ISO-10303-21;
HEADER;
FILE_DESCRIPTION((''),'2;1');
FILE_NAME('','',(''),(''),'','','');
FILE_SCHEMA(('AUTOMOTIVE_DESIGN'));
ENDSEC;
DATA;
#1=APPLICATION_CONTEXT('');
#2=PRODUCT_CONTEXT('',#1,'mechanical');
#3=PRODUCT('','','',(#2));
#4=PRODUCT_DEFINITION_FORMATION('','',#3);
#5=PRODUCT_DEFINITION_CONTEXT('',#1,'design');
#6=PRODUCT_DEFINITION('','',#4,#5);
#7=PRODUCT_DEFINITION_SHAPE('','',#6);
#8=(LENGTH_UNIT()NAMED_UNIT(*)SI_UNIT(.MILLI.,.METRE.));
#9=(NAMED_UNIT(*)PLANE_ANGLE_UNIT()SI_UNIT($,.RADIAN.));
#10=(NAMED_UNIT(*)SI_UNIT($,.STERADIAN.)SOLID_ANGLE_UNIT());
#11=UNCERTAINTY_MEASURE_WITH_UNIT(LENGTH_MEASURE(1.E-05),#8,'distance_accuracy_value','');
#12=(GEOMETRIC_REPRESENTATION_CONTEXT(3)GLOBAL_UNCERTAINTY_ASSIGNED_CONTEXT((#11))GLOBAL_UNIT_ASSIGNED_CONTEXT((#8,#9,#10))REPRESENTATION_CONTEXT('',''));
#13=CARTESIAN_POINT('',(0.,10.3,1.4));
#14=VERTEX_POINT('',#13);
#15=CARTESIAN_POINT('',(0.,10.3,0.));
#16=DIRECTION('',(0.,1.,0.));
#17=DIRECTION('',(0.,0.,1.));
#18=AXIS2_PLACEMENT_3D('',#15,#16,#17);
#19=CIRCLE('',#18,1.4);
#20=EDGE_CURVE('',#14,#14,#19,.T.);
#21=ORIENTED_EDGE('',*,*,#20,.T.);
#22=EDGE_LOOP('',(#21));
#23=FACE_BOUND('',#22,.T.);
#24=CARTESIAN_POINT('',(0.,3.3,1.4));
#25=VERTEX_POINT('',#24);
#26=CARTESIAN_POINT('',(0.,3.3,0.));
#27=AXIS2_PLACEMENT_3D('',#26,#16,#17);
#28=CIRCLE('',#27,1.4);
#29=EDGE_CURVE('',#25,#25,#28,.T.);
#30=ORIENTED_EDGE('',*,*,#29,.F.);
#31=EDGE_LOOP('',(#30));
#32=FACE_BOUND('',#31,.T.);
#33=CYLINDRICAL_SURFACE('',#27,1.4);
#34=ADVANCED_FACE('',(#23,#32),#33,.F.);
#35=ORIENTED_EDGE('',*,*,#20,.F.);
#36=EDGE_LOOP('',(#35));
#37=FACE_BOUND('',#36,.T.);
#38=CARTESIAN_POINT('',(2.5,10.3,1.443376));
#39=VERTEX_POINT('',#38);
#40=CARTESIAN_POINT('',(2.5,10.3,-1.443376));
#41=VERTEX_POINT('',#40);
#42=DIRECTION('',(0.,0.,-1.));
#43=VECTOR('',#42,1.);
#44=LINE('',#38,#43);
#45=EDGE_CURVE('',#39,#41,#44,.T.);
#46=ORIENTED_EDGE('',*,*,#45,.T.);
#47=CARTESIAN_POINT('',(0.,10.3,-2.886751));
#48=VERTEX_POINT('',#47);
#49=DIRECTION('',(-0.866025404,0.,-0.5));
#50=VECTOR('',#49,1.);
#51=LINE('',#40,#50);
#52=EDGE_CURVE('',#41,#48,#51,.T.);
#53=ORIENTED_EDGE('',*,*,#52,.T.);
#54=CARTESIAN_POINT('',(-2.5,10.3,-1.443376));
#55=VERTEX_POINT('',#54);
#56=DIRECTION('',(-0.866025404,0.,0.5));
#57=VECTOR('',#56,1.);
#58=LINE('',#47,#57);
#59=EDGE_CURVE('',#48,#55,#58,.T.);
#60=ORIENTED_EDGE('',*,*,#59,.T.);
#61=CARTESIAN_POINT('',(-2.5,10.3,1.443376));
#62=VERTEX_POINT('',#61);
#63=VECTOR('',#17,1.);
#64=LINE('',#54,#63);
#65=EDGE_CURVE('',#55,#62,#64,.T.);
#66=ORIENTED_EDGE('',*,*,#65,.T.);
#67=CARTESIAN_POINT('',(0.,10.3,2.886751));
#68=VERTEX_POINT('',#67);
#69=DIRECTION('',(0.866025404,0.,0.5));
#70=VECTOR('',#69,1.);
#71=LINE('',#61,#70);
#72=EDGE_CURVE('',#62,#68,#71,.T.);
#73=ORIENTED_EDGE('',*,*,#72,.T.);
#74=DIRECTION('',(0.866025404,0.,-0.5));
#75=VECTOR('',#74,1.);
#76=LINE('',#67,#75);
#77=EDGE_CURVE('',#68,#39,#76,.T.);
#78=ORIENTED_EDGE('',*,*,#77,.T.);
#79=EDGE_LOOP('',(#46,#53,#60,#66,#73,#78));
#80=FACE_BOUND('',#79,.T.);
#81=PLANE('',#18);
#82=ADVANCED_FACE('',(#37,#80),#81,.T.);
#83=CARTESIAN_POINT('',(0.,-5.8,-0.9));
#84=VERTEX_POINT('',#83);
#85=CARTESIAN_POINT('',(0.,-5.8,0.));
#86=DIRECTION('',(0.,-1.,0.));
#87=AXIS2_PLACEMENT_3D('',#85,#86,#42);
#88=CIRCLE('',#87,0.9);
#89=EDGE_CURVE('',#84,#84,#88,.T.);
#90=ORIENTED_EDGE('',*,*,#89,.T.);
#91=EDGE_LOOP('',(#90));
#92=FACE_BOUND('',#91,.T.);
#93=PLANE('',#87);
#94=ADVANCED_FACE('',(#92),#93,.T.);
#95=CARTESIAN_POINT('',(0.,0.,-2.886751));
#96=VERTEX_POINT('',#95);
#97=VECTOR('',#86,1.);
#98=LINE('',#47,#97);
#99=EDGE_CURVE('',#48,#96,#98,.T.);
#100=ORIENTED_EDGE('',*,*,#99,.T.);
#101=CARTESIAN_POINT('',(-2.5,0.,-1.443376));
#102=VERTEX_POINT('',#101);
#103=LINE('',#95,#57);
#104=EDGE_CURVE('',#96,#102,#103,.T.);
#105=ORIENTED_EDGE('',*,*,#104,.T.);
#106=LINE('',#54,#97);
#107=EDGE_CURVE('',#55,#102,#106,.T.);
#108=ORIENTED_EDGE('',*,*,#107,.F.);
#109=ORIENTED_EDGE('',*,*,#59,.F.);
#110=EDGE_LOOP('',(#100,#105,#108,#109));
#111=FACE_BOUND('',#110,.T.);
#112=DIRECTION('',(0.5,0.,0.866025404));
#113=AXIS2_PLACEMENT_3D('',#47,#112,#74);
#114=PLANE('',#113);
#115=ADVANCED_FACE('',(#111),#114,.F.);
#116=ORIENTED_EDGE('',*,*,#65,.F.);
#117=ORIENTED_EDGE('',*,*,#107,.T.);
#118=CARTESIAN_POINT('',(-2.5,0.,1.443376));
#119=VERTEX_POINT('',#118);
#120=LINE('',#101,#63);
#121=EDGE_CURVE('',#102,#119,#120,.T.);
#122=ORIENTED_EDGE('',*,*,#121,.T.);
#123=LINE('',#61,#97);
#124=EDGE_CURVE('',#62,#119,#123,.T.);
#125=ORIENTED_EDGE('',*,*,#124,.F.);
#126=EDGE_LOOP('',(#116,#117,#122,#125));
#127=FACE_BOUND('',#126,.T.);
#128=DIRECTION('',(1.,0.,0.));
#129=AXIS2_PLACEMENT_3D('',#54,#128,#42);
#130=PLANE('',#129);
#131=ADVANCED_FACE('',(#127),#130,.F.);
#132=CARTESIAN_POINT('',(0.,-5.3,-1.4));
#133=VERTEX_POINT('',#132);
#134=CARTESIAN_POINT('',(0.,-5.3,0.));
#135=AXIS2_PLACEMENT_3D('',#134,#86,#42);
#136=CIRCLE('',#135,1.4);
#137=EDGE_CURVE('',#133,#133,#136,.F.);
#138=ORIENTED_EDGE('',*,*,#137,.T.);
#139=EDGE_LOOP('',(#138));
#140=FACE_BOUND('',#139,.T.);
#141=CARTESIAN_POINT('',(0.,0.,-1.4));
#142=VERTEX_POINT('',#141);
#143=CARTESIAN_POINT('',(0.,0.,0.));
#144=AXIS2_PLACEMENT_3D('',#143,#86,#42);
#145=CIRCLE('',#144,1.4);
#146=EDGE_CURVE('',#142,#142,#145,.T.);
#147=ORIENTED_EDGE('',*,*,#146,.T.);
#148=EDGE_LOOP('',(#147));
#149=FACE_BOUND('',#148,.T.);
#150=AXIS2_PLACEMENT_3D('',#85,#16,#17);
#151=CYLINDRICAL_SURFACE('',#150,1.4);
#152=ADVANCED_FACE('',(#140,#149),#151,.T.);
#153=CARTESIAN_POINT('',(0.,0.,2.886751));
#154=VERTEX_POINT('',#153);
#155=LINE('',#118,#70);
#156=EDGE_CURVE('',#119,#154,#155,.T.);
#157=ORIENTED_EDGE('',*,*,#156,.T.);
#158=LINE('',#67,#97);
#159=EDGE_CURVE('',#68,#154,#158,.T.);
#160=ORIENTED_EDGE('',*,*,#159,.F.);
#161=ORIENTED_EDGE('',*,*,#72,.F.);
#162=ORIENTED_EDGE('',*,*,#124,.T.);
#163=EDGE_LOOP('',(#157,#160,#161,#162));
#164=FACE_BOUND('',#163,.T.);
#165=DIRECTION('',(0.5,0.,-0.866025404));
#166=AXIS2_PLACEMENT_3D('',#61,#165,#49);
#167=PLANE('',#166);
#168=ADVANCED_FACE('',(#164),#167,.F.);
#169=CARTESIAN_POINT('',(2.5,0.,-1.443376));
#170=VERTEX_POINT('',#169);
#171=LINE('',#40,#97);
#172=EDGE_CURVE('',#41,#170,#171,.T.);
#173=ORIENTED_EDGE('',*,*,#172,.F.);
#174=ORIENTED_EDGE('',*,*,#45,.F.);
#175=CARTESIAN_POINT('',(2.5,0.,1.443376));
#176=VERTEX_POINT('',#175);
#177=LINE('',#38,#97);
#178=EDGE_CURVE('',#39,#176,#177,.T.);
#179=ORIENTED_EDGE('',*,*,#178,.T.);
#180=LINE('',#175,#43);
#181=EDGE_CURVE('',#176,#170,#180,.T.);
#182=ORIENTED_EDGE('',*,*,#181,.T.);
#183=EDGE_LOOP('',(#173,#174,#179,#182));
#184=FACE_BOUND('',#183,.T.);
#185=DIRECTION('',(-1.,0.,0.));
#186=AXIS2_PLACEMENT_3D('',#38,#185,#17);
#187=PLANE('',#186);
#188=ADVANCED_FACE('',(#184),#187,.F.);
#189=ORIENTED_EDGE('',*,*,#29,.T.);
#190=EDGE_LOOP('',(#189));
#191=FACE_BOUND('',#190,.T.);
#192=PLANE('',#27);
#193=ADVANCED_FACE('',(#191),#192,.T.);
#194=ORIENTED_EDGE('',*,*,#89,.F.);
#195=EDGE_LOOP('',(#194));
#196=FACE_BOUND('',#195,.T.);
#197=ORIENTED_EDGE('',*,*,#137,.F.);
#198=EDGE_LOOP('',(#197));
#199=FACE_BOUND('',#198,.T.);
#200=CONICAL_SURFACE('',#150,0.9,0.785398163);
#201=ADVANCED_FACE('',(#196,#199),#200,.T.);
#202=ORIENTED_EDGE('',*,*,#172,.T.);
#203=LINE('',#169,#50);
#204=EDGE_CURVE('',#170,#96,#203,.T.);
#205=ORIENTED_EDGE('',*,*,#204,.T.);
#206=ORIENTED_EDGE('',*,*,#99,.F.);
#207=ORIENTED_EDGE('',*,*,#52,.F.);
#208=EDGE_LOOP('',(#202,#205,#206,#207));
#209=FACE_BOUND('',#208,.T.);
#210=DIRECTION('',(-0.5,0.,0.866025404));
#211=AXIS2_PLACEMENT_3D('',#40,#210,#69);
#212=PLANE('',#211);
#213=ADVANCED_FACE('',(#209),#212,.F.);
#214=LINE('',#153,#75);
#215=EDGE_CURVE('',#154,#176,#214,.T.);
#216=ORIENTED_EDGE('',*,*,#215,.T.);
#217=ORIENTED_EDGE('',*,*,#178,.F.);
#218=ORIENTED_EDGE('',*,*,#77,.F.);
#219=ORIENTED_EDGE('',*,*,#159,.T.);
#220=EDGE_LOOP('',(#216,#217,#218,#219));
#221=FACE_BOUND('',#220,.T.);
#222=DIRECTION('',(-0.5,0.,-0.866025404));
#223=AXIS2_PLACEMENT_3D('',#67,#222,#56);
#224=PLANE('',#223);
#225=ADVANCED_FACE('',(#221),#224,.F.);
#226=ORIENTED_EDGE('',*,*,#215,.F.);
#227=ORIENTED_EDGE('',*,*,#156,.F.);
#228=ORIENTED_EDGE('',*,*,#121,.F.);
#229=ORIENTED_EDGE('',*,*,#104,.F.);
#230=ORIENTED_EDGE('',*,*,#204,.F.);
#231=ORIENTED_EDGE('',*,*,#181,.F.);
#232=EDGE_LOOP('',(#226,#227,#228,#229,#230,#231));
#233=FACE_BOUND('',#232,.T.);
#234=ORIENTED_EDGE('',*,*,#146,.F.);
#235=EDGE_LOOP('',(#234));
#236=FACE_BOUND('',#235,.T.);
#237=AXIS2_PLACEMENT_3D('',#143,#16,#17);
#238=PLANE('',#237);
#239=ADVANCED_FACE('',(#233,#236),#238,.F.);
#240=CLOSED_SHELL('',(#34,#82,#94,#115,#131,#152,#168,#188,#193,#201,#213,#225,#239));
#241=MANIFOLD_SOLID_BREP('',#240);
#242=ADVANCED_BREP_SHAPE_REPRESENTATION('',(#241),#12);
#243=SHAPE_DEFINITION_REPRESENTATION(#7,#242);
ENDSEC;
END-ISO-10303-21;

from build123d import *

# Parameters (mm, degrees)
EXTRUDE_1_DEPTH     = 10.3
SKETCH_2_R          = 1.4
EXTRUDE_2_DEPTH     = 5.8
CHAMFER_1_SIZE      = 0.5
SKETCH_3_R          = 1.4
CUT_EXTRUDE_1_DEPTH = 7


with BuildPart() as part:
    # Эскиз1 → Бобышка-Вытянуть1 (new body)
    with BuildSketch(Plane(origin=(0, 0, 0), x_dir=(1, 0, 0), z_dir=(0, 1, 0))):
        Polygon((0, 2.886751346), (-2.5, 1.443375673), (-2.5, -1.443375673), (0, -2.886751346), (2.5, -1.443375673), (2.5, 1.443375673), align=None)
    extrude(amount=EXTRUDE_1_DEPTH)

    # Эскиз2 → Бобышка-Вытянуть2 (add)
    with BuildSketch(Plane.XZ):
        with Locations(Location((0, 0, 0), (0, 0, 270))):
            Circle(SKETCH_2_R)
    extrude(amount=EXTRUDE_2_DEPTH)

    # Фаска1
    chamfer_1_edges = [part.edges().sort_by_distance(p)[0] for p in [
        (0, -5.8, 1.4),
    ]]
    chamfer(chamfer_1_edges, length=CHAMFER_1_SIZE)

    # Эскиз3 → Вырез-Вытянуть1 (cut)
    with BuildSketch(Plane(origin=(0, 10.3, 0), x_dir=(1, 0, 0), z_dir=(0, 1, 0))):
        with Locations(Location((0, 0, 0), (0, 0, 90))):
            Circle(SKETCH_3_R)
    extrude(amount=-CUT_EXTRUDE_1_DEPTH, mode=Mode.SUBTRACT)


solid = part.part
